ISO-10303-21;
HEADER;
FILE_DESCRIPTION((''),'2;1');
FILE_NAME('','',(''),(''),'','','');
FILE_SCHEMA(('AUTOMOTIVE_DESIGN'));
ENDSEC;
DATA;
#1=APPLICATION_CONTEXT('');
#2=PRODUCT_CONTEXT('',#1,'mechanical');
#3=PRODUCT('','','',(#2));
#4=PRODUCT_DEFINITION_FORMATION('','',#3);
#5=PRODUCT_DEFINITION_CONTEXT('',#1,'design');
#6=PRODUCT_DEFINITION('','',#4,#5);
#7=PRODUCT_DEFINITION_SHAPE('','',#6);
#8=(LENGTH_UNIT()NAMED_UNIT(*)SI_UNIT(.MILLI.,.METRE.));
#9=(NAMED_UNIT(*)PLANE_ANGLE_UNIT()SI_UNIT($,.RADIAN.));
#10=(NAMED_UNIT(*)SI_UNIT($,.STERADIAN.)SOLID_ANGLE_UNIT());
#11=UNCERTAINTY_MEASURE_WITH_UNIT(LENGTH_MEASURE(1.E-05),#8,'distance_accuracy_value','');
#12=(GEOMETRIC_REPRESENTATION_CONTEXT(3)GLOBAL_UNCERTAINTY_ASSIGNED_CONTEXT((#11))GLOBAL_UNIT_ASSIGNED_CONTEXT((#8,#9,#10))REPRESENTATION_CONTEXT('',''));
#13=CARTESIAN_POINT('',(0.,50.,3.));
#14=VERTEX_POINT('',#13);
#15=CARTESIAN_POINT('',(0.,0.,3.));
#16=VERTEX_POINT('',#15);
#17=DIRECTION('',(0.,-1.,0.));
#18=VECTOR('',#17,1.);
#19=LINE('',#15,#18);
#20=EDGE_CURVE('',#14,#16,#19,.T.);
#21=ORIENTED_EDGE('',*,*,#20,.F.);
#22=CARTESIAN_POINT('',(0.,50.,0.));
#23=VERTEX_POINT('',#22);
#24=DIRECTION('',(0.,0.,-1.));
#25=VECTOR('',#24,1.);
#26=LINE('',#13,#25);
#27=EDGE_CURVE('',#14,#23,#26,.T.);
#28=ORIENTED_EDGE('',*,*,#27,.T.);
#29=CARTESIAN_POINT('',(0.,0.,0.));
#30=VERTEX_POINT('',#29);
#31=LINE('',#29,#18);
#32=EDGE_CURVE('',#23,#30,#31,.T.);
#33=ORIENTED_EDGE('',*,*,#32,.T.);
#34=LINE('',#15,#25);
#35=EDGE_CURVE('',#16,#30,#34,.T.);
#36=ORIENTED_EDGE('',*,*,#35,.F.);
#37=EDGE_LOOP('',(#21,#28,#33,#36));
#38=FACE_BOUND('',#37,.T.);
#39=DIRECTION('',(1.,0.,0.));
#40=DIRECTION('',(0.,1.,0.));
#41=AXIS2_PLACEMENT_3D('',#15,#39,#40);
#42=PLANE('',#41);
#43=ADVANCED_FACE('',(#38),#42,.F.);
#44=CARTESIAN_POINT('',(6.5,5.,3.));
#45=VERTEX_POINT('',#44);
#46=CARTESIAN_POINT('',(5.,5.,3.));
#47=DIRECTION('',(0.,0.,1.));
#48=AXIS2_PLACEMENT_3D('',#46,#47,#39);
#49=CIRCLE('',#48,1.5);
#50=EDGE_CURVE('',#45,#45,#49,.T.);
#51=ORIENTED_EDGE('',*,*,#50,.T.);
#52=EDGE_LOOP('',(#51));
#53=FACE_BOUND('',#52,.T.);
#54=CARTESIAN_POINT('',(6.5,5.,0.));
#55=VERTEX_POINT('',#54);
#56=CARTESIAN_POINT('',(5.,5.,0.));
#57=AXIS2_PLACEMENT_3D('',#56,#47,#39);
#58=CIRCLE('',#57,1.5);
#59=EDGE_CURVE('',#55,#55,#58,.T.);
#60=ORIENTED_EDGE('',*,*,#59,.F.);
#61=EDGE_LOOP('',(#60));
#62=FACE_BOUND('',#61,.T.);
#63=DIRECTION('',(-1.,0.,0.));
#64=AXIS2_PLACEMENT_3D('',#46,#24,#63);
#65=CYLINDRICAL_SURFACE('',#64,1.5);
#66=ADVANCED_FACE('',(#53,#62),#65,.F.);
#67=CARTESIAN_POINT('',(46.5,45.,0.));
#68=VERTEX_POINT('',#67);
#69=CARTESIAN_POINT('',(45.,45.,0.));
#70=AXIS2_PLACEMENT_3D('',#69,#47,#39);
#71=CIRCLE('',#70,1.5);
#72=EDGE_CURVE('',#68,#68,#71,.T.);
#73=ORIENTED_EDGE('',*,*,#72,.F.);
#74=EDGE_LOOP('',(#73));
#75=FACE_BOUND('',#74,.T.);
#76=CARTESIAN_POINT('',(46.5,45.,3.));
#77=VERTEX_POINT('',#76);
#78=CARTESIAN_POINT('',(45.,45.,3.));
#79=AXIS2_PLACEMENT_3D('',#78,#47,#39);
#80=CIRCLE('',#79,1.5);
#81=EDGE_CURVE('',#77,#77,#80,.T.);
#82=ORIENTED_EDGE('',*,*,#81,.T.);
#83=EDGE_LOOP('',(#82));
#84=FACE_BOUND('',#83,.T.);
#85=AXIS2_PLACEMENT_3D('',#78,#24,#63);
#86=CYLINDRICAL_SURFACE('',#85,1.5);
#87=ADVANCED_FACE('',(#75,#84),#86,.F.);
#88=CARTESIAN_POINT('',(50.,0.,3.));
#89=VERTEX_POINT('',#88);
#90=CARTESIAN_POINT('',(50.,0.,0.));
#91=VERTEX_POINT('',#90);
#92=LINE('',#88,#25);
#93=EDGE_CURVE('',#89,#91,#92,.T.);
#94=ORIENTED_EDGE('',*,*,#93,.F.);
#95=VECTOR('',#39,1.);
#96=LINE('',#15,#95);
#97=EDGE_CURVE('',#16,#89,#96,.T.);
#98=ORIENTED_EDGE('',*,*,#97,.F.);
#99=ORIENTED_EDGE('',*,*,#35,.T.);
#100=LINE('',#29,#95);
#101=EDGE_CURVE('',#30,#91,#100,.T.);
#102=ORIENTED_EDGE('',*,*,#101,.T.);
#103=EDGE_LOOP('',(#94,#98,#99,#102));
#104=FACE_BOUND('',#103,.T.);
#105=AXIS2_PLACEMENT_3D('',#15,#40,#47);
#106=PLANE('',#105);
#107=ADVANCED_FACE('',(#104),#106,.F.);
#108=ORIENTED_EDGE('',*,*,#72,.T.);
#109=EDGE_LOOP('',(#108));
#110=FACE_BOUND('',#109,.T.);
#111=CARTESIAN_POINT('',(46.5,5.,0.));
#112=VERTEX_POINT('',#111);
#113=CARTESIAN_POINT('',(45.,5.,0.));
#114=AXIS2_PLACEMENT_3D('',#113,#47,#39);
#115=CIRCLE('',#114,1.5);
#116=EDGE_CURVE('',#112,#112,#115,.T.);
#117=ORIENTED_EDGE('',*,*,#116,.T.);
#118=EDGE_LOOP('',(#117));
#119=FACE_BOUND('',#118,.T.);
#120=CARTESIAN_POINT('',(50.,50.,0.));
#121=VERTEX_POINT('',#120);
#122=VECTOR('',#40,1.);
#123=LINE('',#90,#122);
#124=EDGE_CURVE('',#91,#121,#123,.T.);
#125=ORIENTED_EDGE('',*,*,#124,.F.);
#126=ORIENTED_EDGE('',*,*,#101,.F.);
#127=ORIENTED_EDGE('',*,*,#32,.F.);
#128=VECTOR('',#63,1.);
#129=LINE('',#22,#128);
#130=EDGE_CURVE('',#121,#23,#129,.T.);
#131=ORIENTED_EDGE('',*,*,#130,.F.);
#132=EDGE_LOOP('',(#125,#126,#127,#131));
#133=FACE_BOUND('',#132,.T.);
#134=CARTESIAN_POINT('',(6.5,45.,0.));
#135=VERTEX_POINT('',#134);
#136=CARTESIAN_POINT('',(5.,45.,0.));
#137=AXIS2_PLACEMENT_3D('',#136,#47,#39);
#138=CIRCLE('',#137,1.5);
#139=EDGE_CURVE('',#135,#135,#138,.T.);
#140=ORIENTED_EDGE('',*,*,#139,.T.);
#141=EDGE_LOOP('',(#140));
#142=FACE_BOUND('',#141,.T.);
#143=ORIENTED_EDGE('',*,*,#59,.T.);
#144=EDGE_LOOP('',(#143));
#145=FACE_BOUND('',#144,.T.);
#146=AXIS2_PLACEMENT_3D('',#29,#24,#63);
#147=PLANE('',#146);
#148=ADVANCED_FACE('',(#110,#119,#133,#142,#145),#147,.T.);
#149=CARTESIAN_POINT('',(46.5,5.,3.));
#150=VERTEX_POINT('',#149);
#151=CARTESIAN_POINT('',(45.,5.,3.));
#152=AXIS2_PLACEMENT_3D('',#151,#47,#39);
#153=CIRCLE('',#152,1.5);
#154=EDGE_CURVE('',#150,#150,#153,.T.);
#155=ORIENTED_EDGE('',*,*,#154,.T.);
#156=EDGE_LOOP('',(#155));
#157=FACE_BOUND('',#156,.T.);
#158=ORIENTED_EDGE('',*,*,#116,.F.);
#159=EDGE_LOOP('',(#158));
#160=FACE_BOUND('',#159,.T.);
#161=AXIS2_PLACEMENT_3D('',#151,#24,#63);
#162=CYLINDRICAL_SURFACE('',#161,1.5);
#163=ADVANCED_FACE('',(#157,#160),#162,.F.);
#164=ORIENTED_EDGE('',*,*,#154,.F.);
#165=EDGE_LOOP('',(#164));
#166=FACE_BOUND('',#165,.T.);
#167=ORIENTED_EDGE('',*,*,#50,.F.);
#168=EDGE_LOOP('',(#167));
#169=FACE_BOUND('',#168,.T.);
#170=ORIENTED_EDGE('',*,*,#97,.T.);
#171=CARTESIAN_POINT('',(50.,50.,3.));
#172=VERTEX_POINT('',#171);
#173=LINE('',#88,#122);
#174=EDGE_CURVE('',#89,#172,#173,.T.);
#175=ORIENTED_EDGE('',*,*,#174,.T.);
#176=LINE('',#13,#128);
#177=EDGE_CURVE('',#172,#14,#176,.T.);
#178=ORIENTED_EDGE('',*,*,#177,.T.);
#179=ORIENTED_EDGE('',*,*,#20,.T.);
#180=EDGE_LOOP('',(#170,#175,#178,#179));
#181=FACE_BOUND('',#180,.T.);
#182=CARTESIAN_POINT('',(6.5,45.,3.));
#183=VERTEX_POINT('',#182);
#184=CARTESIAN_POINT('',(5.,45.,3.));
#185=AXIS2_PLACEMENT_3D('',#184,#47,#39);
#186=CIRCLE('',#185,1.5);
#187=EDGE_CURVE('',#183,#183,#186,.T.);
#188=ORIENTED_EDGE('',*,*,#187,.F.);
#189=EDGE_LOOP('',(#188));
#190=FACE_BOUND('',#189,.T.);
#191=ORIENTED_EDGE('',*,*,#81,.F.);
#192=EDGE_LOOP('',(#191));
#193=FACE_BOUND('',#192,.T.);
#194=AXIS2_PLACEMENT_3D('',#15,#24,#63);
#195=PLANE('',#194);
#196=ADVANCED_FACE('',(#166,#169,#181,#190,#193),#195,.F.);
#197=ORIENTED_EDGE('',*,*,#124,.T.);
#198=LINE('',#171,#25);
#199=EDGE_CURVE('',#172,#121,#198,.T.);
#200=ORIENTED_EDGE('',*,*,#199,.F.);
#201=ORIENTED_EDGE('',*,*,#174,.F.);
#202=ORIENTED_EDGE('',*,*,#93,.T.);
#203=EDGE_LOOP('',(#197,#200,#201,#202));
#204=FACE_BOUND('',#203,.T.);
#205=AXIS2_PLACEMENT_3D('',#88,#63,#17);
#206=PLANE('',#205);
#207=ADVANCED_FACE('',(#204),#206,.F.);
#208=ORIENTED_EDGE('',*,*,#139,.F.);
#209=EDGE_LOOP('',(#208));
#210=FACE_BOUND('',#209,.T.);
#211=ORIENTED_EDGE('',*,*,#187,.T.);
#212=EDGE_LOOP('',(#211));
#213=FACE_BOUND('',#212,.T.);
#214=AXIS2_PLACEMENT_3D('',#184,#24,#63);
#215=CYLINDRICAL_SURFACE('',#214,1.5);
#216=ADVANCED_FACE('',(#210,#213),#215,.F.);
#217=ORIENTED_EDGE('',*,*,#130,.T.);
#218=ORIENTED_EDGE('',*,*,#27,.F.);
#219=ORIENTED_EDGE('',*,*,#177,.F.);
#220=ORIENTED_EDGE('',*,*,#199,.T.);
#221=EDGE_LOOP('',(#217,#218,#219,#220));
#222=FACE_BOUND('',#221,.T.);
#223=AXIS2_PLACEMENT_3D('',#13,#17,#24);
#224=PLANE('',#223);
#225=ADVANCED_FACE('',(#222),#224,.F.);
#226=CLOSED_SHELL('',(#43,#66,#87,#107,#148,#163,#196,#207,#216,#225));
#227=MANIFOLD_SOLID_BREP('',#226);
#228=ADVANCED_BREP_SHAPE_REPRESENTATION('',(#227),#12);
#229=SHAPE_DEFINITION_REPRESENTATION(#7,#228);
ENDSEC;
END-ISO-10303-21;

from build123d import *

# Parameters (mm, degrees)
SKETCH1_W           = 50
SKETCH1_H           = 50
SKETCH1_R           = 1.5
BOSS_EXTRUDE1_DEPTH = 3


with BuildPart() as part:
    # Sketch1 → Boss-Extrude1 (new body)
    with BuildSketch(Plane.XY):
        with Locations((25, 25)):
            Rectangle(SKETCH1_W, SKETCH1_H)
        with Locations((5, 45)):
            Circle(SKETCH1_R, mode=Mode.SUBTRACT)
        with Locations((45, 45)):
            Circle(SKETCH1_R, mode=Mode.SUBTRACT)
        with Locations((45, 5)):
            Circle(SKETCH1_R, mode=Mode.SUBTRACT)
        with Locations((5, 5)):
            Circle(SKETCH1_R, mode=Mode.SUBTRACT)
    extrude(amount=BOSS_EXTRUDE1_DEPTH)


solid = part.part
